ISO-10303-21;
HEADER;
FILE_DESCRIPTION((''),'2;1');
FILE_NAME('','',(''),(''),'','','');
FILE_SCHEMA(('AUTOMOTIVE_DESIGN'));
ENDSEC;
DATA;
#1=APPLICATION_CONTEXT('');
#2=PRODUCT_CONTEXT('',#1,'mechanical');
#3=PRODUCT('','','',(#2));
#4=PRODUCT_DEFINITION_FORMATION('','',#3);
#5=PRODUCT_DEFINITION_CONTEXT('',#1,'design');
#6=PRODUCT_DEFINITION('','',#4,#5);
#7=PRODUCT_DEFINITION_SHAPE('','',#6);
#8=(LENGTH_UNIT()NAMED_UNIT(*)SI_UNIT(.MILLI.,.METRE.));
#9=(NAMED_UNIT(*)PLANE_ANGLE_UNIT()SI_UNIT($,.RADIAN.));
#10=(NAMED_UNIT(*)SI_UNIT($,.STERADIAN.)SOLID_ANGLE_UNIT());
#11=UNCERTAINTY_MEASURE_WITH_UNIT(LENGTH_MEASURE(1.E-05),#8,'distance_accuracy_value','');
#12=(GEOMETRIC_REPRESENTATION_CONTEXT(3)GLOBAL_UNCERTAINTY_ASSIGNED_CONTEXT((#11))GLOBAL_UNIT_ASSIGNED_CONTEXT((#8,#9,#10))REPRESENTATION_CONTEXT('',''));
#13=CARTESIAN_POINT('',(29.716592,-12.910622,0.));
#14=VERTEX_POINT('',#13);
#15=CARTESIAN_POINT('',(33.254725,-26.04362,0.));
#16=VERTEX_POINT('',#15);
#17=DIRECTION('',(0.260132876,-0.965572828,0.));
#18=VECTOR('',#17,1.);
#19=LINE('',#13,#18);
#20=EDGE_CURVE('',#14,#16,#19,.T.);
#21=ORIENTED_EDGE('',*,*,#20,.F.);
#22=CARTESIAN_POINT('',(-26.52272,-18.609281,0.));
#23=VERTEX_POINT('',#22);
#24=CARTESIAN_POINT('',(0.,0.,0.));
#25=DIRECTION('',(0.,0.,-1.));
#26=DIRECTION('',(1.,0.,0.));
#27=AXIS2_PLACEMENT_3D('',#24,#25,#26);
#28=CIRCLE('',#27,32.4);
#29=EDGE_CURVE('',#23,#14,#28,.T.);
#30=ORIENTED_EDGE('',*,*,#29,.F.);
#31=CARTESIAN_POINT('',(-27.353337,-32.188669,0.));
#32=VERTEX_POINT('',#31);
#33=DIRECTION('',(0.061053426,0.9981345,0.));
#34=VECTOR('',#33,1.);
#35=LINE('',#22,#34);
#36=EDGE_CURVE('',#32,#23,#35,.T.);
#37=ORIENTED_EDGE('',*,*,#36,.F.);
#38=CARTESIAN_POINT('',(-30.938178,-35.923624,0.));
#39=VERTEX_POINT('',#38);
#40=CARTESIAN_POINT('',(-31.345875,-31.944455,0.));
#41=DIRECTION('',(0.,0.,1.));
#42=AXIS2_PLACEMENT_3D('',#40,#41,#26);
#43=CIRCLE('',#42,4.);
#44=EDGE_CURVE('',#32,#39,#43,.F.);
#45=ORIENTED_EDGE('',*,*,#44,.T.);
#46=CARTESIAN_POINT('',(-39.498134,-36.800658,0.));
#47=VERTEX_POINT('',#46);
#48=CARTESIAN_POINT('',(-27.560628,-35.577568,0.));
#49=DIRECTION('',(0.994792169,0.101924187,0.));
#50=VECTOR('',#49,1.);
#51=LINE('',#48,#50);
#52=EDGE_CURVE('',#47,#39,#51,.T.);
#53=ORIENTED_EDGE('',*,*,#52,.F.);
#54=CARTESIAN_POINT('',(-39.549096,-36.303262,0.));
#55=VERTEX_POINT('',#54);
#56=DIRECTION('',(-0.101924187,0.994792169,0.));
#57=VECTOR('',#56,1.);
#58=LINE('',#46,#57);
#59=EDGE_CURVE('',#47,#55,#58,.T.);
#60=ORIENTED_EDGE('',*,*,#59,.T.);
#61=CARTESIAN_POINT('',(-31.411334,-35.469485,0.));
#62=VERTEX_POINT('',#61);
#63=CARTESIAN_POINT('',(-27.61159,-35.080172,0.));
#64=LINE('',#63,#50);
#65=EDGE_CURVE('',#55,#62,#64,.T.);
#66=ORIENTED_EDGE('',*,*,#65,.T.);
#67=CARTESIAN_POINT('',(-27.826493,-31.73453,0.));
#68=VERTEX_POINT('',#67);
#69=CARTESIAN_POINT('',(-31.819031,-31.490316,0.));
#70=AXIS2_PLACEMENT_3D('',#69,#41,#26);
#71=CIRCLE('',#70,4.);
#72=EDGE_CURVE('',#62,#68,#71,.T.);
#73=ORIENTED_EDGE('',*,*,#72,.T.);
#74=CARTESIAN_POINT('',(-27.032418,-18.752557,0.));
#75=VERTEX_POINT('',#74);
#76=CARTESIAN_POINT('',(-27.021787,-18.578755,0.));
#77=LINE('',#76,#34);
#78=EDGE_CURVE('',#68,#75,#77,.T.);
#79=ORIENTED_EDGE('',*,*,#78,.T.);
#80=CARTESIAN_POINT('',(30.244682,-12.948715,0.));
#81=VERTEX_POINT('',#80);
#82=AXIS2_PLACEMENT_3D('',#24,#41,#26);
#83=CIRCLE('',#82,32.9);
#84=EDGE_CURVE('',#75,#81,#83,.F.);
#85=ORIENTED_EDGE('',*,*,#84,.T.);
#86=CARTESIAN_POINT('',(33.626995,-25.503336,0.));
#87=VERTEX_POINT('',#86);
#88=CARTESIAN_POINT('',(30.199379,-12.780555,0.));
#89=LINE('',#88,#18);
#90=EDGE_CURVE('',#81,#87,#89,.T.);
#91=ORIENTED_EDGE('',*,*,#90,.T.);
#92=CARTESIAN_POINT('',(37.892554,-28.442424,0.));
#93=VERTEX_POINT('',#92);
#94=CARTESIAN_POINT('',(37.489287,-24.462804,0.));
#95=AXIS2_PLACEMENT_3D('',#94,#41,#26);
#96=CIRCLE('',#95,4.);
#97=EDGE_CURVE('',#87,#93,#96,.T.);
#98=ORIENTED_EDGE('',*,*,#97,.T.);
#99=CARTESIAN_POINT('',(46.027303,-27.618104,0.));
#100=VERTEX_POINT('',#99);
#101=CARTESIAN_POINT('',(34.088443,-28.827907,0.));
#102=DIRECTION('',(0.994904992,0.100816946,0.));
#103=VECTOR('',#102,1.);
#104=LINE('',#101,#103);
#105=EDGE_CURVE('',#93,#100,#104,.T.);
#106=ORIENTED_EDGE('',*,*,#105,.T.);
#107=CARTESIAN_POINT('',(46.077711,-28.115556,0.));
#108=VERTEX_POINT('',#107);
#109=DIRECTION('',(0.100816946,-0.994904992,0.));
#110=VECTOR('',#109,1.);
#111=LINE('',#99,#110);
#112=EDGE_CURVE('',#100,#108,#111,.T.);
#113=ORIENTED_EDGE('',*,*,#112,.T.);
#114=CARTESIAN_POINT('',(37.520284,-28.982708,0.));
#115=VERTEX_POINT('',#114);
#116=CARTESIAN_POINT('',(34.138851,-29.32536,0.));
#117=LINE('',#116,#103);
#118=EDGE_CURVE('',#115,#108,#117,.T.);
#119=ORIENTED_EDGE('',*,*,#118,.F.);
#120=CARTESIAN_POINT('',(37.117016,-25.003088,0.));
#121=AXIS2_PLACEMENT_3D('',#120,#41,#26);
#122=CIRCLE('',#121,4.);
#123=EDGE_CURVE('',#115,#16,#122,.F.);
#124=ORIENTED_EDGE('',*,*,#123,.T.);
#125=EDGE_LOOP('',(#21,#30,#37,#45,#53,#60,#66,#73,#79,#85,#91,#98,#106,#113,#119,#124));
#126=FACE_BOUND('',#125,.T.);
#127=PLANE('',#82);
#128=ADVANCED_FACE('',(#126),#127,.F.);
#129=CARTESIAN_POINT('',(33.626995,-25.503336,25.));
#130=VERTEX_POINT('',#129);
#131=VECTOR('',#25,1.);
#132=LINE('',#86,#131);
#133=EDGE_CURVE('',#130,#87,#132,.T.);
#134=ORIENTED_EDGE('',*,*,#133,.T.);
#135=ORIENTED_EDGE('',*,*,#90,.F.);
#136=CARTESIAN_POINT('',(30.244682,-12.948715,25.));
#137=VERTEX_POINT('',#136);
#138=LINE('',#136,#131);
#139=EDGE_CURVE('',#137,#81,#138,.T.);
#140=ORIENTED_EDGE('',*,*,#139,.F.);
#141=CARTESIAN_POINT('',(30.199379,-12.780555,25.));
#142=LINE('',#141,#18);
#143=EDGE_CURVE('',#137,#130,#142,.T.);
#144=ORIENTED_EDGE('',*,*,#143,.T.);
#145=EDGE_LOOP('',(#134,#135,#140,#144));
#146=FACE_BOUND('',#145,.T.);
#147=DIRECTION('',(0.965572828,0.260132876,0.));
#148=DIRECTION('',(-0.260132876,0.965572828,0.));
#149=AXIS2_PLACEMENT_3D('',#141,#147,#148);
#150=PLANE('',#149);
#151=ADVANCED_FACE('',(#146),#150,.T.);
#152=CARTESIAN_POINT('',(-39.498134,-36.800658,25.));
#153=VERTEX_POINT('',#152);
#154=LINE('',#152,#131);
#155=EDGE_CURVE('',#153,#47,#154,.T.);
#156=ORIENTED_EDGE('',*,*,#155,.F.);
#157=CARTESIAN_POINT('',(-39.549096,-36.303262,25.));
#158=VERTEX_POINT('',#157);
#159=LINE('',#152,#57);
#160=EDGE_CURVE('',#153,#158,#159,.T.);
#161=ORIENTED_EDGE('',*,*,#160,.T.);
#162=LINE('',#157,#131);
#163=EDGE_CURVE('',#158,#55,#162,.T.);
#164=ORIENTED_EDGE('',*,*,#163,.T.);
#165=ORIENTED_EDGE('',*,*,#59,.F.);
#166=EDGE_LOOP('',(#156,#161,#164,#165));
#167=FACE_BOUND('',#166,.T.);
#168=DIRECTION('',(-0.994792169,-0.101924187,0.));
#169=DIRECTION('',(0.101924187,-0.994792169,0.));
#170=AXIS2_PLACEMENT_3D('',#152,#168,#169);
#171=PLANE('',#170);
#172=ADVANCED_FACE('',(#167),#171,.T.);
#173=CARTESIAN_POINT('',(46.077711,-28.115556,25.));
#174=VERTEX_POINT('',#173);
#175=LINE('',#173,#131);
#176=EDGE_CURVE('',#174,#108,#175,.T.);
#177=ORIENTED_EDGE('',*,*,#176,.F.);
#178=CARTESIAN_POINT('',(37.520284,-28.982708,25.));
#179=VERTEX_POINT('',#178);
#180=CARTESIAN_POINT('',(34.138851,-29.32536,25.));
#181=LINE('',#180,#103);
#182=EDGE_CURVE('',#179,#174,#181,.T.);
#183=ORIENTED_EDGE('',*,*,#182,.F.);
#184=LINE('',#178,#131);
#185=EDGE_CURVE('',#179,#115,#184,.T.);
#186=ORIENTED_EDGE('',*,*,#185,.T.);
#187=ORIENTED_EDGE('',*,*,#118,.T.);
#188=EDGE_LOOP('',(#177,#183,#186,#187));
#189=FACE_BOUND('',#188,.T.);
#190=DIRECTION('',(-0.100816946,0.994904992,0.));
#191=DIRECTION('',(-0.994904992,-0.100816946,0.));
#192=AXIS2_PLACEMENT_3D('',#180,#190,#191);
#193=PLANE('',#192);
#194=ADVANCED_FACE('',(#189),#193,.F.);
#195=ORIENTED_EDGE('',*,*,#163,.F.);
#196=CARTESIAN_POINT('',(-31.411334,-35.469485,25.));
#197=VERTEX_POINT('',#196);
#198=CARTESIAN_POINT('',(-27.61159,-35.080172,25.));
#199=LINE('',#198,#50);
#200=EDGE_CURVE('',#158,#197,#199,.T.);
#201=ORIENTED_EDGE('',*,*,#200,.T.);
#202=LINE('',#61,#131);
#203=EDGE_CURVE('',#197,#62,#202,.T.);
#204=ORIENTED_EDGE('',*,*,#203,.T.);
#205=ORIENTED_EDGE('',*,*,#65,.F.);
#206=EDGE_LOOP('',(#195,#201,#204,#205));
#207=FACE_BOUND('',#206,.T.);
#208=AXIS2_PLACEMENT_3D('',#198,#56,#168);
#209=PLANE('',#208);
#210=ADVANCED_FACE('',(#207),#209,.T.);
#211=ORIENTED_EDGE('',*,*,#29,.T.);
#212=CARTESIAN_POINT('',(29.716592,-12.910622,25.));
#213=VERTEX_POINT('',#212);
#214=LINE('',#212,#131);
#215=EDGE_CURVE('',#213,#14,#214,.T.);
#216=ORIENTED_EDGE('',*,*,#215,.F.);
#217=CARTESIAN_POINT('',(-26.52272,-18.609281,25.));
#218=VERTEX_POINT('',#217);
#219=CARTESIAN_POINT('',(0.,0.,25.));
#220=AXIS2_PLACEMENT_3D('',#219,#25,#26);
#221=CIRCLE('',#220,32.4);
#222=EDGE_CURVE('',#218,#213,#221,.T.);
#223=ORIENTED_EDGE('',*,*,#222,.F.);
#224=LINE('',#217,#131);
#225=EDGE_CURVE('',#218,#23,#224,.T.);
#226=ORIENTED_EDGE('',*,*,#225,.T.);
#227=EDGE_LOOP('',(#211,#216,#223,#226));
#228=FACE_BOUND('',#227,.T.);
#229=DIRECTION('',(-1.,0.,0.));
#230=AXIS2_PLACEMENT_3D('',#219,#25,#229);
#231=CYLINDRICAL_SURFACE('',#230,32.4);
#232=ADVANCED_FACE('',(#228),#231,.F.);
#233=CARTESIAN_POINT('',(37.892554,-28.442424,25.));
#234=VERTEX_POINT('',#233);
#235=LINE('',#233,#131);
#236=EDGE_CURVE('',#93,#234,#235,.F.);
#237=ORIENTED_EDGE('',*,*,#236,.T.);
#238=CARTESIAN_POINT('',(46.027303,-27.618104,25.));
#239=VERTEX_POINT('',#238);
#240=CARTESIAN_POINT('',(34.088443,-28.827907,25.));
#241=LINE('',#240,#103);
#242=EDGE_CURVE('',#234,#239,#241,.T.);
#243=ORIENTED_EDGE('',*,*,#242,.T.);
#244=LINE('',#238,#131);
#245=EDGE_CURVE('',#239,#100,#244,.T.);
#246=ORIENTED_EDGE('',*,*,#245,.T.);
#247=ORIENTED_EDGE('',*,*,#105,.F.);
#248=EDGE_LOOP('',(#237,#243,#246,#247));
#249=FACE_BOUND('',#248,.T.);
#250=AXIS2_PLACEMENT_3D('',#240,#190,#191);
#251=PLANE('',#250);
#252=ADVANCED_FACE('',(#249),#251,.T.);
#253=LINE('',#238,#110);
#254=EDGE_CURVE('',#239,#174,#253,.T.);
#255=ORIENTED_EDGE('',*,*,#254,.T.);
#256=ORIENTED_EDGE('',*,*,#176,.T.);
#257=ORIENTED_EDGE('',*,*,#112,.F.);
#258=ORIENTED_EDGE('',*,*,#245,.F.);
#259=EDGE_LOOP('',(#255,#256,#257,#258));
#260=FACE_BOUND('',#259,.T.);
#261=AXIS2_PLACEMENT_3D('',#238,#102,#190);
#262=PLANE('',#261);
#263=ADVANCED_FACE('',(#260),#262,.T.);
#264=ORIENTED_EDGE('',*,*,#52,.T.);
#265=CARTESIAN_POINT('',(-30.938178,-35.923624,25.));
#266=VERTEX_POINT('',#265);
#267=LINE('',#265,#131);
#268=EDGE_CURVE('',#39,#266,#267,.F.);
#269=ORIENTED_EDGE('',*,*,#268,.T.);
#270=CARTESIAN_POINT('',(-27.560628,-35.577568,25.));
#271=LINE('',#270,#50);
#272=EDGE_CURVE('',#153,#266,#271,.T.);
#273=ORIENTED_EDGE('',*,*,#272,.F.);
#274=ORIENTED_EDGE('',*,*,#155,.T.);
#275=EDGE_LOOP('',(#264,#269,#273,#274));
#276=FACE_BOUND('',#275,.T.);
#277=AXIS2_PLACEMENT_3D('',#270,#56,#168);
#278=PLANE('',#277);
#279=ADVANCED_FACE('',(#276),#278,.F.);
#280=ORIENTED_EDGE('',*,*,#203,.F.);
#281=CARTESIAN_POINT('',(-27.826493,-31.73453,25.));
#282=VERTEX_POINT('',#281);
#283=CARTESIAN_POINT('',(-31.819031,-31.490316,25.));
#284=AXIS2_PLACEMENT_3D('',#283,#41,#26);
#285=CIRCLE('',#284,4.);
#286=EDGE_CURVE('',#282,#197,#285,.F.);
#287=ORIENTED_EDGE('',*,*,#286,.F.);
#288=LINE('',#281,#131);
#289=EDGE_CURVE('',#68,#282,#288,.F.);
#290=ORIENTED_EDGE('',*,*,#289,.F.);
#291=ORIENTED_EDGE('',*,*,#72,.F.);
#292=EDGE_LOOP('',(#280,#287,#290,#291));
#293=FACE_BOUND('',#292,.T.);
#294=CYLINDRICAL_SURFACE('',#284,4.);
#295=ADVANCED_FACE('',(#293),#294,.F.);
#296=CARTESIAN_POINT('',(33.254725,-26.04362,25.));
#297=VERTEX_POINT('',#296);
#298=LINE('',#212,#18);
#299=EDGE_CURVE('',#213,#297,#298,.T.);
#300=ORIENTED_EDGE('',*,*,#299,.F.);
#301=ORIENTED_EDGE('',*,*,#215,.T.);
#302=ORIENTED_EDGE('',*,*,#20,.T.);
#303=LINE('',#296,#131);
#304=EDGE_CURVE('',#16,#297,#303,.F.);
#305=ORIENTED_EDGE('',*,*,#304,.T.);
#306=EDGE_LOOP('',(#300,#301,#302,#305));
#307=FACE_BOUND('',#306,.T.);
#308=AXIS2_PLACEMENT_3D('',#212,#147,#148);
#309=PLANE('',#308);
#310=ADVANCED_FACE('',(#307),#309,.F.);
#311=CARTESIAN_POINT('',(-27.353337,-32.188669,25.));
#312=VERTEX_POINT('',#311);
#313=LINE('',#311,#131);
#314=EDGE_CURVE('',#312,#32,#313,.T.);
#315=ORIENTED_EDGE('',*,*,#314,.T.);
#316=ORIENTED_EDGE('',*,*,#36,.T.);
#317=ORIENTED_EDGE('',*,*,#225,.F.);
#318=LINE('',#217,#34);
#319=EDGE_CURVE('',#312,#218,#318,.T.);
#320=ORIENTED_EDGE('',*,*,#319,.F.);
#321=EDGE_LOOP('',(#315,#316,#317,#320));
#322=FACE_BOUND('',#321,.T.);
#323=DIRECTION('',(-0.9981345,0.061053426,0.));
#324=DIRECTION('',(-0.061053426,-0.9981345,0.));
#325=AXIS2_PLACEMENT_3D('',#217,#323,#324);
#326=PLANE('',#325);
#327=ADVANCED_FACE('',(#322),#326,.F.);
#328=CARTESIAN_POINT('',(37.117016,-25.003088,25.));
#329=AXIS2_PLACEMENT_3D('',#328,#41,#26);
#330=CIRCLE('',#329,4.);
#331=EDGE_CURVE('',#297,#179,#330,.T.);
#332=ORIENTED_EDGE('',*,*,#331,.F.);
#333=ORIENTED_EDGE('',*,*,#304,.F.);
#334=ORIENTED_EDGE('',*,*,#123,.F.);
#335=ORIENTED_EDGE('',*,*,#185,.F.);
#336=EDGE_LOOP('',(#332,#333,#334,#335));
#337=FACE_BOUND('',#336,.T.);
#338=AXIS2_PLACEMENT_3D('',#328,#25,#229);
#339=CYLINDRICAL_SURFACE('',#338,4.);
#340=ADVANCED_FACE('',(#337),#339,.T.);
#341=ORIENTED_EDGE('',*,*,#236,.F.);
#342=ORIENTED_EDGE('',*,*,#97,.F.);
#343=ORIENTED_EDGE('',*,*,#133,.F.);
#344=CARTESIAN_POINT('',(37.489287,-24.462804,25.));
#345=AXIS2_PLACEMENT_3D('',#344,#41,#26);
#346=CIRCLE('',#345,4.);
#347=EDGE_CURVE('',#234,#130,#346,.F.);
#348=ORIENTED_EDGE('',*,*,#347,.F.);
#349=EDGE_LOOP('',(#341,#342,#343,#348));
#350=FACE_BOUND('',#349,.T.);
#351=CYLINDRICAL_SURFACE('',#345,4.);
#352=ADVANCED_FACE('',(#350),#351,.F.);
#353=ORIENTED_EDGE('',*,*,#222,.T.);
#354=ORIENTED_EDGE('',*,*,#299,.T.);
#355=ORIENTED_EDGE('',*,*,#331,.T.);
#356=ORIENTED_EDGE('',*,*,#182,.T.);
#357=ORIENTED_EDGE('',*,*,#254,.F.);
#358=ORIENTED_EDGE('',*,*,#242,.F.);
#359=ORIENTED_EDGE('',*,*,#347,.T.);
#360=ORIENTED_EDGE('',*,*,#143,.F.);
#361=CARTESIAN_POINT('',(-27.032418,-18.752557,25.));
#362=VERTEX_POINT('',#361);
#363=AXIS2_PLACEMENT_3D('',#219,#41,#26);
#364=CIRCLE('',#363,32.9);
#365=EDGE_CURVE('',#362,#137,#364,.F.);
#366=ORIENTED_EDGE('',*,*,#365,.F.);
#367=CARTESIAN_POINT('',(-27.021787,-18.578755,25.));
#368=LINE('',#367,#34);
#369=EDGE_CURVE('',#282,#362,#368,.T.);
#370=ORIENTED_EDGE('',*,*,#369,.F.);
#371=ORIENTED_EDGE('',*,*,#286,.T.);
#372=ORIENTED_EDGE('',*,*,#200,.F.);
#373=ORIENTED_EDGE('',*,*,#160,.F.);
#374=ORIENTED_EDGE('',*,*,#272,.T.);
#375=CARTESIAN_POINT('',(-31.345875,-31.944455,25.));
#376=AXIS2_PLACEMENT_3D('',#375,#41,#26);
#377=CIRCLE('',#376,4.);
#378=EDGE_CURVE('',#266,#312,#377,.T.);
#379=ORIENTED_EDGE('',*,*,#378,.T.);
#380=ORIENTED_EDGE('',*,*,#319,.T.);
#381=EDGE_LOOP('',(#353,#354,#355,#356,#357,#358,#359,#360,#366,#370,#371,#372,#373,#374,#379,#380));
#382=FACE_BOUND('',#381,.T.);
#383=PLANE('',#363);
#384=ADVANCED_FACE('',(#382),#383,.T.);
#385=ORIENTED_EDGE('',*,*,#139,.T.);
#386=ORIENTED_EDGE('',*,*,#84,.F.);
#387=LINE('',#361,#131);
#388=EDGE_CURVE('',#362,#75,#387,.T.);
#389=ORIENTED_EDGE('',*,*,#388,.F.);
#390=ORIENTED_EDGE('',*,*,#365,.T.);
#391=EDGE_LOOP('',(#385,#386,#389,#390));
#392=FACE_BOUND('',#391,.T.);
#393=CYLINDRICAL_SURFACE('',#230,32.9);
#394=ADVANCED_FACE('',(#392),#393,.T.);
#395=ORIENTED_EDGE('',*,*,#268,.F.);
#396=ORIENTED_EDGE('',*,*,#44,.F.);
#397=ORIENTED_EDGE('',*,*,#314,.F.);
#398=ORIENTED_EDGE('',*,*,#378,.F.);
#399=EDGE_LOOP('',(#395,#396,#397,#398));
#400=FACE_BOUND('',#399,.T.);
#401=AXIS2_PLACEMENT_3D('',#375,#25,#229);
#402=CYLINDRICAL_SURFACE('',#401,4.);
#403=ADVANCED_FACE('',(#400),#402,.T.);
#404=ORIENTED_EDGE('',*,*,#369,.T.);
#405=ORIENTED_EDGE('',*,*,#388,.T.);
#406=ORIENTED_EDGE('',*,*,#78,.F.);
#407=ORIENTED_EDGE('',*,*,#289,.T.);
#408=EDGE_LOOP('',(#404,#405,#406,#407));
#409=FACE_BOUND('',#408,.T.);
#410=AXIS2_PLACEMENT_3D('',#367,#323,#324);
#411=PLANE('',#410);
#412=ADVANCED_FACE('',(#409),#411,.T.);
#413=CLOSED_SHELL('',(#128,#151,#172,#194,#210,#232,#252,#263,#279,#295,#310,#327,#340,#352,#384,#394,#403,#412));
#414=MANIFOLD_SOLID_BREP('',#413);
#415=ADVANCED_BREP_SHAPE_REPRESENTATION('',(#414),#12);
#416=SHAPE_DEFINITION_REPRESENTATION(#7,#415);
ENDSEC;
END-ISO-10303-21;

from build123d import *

# Parameters (mm, degrees)
EXTRUDE_1_DEPTH = 25
FILLET_1_R      = 4
FILLET_2_R      = 4
FILLET_3_R      = 4


with BuildPart() as part:
    # Эскиз8 → Вытянуть-Тонкостенный1 (new body)
    with BuildSketch(Plane.XY):
        with BuildLine():
            Line((46.077710984, -28.115556281), (34.138851079, -29.325359636))
            Line((34.138851079, -29.325359636), (29.716592184, -12.910621555))
            ThreePointArc((29.716592184, -12.910621555), (-3.266326095, 32.234936231), (-26.52271954, -18.609281238))
            Line((-26.52271954, -18.609281238), (-27.56062778, -35.57756773))
            Line((-27.56062778, -35.57756773), (-39.498133811, -36.800657979))
            Line((-39.498133811, -36.800657979), (-39.549095905, -36.303261894))
            Line((-39.549095905, -36.303261894), (-28.033783708, -35.123428684))
            Line((-28.033783708, -35.123428684), (-27.032417845, -18.752556771))
            ThreePointArc((-27.032417845, -18.752556771), (-3.316746386, 32.73238753), (30.244682055, -12.948714508))
            Line((30.244682055, -12.948714508), (34.511121689, -28.785075699))
            Line((34.511121689, -28.785075699), (46.027302511, -27.618103785))
            Line((46.027302511, -27.618103785), (46.077710984, -28.115556281))
        make_face()
    extrude(amount=EXTRUDE_1_DEPTH)

    # Скругление1
    fillet_1_edges = [part.edges().sort_by_distance(p)[0] for p in [
        (-28.033783708, -35.123428684, 12.5),
    ]]
    fillet(fillet_1_edges, radius=FILLET_1_R)

    # Скругление2
    fillet_2_edges = [part.edges().sort_by_distance(p)[0] for p in [
        (-27.56062778, -35.57756773, 12.5),
    ]]
    fillet(fillet_2_edges, radius=FILLET_2_R)

    # Скругление3
    fillet_3_edges = [part.edges().sort_by_distance(p)[0] for p in [
        (34.138851079, -29.325359636, 12.5),
        (34.511121689, -28.785075699, 12.5),
    ]]
    fillet(fillet_3_edges, radius=FILLET_3_R)


solid = part.part
